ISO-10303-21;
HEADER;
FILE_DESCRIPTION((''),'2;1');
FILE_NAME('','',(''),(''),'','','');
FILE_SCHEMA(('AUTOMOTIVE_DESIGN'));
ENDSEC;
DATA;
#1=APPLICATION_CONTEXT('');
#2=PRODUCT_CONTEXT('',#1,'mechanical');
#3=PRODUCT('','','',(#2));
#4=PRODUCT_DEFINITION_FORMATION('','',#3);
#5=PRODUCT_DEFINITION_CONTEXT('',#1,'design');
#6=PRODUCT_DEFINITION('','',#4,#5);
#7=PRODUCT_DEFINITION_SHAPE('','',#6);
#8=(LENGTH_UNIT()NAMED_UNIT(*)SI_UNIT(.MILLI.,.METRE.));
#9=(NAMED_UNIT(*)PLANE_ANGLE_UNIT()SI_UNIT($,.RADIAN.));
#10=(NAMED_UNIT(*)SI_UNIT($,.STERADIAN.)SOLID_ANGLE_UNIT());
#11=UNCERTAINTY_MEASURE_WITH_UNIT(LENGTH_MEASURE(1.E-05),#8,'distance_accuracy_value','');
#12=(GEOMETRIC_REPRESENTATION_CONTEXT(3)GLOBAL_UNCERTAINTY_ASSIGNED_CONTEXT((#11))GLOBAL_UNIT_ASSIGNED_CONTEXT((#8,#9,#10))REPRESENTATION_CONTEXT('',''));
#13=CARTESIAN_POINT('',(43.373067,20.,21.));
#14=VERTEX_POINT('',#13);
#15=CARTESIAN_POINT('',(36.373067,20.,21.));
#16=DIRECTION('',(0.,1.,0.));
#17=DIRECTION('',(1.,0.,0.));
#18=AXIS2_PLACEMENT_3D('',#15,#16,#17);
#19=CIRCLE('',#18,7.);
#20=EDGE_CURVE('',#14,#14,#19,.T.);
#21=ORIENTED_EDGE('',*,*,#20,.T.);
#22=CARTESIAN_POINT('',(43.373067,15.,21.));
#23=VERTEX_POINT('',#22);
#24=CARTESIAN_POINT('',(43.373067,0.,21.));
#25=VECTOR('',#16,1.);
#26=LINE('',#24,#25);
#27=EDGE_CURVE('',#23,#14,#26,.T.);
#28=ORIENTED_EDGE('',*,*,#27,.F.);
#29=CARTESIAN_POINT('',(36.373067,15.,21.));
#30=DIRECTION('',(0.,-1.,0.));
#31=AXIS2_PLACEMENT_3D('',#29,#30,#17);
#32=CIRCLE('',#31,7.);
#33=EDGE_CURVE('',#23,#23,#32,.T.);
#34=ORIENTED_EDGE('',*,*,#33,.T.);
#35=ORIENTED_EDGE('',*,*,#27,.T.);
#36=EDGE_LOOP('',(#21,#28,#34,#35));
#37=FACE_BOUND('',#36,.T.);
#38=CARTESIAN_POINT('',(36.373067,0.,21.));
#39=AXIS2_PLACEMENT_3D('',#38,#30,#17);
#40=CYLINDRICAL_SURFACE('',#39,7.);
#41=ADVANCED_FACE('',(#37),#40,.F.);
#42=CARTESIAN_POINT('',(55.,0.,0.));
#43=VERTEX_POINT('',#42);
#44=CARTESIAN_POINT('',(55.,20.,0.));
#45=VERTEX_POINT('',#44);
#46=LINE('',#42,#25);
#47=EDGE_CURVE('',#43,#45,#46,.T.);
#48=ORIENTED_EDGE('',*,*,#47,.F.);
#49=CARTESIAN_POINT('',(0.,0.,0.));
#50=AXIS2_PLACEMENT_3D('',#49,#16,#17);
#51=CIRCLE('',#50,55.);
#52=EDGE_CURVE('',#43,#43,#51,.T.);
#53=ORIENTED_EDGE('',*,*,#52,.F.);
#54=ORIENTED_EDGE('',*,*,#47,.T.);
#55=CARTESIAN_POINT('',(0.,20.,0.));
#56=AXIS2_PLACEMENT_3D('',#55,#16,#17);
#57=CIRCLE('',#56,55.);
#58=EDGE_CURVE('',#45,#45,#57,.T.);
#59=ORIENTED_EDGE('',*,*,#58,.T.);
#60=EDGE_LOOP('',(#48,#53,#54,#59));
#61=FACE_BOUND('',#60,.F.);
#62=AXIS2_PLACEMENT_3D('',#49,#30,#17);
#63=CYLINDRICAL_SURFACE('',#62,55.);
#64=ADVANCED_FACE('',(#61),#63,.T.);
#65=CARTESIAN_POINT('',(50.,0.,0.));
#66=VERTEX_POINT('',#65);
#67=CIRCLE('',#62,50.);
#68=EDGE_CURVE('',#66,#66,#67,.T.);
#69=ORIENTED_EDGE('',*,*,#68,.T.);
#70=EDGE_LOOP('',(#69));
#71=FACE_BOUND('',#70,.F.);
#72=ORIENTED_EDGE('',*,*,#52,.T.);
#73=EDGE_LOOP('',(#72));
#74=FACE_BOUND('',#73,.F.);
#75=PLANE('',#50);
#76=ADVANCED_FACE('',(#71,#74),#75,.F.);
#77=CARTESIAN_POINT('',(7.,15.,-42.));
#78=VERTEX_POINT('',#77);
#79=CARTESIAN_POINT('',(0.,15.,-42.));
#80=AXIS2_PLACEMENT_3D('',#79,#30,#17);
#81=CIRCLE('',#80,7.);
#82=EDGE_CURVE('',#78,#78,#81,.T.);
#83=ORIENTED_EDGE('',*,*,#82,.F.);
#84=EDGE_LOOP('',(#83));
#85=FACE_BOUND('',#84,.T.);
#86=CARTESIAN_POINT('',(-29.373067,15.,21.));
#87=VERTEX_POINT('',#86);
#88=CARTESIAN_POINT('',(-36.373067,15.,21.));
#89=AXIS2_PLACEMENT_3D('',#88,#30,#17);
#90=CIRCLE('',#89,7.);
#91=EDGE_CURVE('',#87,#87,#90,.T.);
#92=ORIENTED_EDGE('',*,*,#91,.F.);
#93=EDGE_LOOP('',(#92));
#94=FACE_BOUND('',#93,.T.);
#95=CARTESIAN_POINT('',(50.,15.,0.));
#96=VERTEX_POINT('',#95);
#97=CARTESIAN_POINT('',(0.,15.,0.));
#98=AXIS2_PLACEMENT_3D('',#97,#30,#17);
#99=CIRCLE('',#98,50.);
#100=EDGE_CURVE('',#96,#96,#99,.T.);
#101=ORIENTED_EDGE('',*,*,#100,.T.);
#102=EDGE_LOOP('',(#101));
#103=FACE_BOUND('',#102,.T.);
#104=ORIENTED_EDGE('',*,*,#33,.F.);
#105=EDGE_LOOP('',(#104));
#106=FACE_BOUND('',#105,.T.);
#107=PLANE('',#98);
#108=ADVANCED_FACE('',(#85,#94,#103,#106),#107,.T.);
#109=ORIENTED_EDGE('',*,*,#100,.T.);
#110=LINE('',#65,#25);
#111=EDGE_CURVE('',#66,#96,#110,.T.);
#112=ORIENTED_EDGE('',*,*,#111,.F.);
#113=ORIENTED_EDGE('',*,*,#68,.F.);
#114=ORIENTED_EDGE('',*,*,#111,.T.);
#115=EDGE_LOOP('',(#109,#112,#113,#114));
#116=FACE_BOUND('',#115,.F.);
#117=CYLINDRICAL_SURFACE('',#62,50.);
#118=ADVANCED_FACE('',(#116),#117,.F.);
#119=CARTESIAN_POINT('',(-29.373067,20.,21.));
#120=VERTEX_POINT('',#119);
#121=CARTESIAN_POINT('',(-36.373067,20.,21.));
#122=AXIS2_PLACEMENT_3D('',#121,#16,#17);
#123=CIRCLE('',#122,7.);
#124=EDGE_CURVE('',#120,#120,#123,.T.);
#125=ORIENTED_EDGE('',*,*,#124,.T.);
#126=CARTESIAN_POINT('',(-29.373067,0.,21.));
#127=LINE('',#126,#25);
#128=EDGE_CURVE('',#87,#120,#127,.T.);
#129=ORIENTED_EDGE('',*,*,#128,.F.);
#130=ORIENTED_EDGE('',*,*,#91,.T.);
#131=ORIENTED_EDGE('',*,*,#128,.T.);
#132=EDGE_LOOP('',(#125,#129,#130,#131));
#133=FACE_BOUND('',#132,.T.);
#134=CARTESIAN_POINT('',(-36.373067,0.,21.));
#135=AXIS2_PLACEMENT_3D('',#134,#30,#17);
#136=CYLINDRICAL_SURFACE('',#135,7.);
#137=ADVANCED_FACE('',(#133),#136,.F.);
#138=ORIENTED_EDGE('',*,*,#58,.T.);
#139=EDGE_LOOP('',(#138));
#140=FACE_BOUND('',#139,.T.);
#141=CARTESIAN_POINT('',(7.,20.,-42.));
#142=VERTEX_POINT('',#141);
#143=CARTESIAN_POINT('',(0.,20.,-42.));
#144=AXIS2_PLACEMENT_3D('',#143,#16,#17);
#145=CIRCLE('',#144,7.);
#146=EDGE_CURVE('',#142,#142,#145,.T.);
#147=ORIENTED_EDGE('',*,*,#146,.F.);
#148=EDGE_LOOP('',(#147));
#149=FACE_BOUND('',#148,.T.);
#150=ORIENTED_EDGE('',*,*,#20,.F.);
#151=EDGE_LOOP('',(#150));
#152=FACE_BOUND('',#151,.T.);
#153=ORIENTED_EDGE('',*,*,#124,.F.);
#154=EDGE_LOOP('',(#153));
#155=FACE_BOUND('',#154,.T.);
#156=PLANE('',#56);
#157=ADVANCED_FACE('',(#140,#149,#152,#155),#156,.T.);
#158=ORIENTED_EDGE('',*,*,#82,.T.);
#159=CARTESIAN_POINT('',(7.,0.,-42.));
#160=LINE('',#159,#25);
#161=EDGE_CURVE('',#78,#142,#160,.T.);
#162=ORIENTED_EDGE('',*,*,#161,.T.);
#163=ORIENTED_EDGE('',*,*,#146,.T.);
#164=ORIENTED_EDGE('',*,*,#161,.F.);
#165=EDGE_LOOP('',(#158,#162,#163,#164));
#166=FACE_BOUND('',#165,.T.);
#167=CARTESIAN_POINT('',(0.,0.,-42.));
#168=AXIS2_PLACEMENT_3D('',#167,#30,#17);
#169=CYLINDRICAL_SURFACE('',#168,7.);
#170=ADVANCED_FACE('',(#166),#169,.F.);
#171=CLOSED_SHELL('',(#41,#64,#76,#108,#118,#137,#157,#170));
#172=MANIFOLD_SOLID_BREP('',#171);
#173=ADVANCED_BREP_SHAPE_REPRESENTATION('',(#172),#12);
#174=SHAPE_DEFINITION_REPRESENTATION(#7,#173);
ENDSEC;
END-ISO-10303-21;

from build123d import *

# Parameters (mm, degrees)
SKETCH1_R           = 55
SKETCH1_R_2         = 7
BOSS_EXTRUDE1_DEPTH = 20
SKETCH2_R           = 50
SKETCH2_R_2         = 7
CUT_EXTRUDE1_DEPTH  = 15


with BuildPart() as part:
    # Sketch1 → Boss-Extrude1 (new body)
    with BuildSketch(Plane(origin=(0, 0, 0), x_dir=(1, 0, 0), z_dir=(0, 1, 0))):
        Circle(SKETCH1_R)
        with Locations((0, 42)):
            Circle(SKETCH1_R_2, mode=Mode.SUBTRACT)
        with Locations((36.373066959, -21)):
            Circle(SKETCH1_R_2, mode=Mode.SUBTRACT)
        with Locations((-36.373066959, -21)):
            Circle(SKETCH1_R_2, mode=Mode.SUBTRACT)
    extrude(amount=BOSS_EXTRUDE1_DEPTH)

    # Sketch2 → Cut-Extrude1 (cut)
    with BuildSketch(Plane.XZ):
        Circle(SKETCH2_R)
        with Locations((36.373066959, 21)):
            Circle(SKETCH2_R_2, mode=Mode.SUBTRACT)
        with Locations((-36.373066959, 21)):
            Circle(SKETCH2_R_2, mode=Mode.SUBTRACT)
        with Locations((0, -42)):
            Circle(SKETCH2_R_2, mode=Mode.SUBTRACT)
    extrude(amount=-CUT_EXTRUDE1_DEPTH, mode=Mode.SUBTRACT)


solid = part.part
